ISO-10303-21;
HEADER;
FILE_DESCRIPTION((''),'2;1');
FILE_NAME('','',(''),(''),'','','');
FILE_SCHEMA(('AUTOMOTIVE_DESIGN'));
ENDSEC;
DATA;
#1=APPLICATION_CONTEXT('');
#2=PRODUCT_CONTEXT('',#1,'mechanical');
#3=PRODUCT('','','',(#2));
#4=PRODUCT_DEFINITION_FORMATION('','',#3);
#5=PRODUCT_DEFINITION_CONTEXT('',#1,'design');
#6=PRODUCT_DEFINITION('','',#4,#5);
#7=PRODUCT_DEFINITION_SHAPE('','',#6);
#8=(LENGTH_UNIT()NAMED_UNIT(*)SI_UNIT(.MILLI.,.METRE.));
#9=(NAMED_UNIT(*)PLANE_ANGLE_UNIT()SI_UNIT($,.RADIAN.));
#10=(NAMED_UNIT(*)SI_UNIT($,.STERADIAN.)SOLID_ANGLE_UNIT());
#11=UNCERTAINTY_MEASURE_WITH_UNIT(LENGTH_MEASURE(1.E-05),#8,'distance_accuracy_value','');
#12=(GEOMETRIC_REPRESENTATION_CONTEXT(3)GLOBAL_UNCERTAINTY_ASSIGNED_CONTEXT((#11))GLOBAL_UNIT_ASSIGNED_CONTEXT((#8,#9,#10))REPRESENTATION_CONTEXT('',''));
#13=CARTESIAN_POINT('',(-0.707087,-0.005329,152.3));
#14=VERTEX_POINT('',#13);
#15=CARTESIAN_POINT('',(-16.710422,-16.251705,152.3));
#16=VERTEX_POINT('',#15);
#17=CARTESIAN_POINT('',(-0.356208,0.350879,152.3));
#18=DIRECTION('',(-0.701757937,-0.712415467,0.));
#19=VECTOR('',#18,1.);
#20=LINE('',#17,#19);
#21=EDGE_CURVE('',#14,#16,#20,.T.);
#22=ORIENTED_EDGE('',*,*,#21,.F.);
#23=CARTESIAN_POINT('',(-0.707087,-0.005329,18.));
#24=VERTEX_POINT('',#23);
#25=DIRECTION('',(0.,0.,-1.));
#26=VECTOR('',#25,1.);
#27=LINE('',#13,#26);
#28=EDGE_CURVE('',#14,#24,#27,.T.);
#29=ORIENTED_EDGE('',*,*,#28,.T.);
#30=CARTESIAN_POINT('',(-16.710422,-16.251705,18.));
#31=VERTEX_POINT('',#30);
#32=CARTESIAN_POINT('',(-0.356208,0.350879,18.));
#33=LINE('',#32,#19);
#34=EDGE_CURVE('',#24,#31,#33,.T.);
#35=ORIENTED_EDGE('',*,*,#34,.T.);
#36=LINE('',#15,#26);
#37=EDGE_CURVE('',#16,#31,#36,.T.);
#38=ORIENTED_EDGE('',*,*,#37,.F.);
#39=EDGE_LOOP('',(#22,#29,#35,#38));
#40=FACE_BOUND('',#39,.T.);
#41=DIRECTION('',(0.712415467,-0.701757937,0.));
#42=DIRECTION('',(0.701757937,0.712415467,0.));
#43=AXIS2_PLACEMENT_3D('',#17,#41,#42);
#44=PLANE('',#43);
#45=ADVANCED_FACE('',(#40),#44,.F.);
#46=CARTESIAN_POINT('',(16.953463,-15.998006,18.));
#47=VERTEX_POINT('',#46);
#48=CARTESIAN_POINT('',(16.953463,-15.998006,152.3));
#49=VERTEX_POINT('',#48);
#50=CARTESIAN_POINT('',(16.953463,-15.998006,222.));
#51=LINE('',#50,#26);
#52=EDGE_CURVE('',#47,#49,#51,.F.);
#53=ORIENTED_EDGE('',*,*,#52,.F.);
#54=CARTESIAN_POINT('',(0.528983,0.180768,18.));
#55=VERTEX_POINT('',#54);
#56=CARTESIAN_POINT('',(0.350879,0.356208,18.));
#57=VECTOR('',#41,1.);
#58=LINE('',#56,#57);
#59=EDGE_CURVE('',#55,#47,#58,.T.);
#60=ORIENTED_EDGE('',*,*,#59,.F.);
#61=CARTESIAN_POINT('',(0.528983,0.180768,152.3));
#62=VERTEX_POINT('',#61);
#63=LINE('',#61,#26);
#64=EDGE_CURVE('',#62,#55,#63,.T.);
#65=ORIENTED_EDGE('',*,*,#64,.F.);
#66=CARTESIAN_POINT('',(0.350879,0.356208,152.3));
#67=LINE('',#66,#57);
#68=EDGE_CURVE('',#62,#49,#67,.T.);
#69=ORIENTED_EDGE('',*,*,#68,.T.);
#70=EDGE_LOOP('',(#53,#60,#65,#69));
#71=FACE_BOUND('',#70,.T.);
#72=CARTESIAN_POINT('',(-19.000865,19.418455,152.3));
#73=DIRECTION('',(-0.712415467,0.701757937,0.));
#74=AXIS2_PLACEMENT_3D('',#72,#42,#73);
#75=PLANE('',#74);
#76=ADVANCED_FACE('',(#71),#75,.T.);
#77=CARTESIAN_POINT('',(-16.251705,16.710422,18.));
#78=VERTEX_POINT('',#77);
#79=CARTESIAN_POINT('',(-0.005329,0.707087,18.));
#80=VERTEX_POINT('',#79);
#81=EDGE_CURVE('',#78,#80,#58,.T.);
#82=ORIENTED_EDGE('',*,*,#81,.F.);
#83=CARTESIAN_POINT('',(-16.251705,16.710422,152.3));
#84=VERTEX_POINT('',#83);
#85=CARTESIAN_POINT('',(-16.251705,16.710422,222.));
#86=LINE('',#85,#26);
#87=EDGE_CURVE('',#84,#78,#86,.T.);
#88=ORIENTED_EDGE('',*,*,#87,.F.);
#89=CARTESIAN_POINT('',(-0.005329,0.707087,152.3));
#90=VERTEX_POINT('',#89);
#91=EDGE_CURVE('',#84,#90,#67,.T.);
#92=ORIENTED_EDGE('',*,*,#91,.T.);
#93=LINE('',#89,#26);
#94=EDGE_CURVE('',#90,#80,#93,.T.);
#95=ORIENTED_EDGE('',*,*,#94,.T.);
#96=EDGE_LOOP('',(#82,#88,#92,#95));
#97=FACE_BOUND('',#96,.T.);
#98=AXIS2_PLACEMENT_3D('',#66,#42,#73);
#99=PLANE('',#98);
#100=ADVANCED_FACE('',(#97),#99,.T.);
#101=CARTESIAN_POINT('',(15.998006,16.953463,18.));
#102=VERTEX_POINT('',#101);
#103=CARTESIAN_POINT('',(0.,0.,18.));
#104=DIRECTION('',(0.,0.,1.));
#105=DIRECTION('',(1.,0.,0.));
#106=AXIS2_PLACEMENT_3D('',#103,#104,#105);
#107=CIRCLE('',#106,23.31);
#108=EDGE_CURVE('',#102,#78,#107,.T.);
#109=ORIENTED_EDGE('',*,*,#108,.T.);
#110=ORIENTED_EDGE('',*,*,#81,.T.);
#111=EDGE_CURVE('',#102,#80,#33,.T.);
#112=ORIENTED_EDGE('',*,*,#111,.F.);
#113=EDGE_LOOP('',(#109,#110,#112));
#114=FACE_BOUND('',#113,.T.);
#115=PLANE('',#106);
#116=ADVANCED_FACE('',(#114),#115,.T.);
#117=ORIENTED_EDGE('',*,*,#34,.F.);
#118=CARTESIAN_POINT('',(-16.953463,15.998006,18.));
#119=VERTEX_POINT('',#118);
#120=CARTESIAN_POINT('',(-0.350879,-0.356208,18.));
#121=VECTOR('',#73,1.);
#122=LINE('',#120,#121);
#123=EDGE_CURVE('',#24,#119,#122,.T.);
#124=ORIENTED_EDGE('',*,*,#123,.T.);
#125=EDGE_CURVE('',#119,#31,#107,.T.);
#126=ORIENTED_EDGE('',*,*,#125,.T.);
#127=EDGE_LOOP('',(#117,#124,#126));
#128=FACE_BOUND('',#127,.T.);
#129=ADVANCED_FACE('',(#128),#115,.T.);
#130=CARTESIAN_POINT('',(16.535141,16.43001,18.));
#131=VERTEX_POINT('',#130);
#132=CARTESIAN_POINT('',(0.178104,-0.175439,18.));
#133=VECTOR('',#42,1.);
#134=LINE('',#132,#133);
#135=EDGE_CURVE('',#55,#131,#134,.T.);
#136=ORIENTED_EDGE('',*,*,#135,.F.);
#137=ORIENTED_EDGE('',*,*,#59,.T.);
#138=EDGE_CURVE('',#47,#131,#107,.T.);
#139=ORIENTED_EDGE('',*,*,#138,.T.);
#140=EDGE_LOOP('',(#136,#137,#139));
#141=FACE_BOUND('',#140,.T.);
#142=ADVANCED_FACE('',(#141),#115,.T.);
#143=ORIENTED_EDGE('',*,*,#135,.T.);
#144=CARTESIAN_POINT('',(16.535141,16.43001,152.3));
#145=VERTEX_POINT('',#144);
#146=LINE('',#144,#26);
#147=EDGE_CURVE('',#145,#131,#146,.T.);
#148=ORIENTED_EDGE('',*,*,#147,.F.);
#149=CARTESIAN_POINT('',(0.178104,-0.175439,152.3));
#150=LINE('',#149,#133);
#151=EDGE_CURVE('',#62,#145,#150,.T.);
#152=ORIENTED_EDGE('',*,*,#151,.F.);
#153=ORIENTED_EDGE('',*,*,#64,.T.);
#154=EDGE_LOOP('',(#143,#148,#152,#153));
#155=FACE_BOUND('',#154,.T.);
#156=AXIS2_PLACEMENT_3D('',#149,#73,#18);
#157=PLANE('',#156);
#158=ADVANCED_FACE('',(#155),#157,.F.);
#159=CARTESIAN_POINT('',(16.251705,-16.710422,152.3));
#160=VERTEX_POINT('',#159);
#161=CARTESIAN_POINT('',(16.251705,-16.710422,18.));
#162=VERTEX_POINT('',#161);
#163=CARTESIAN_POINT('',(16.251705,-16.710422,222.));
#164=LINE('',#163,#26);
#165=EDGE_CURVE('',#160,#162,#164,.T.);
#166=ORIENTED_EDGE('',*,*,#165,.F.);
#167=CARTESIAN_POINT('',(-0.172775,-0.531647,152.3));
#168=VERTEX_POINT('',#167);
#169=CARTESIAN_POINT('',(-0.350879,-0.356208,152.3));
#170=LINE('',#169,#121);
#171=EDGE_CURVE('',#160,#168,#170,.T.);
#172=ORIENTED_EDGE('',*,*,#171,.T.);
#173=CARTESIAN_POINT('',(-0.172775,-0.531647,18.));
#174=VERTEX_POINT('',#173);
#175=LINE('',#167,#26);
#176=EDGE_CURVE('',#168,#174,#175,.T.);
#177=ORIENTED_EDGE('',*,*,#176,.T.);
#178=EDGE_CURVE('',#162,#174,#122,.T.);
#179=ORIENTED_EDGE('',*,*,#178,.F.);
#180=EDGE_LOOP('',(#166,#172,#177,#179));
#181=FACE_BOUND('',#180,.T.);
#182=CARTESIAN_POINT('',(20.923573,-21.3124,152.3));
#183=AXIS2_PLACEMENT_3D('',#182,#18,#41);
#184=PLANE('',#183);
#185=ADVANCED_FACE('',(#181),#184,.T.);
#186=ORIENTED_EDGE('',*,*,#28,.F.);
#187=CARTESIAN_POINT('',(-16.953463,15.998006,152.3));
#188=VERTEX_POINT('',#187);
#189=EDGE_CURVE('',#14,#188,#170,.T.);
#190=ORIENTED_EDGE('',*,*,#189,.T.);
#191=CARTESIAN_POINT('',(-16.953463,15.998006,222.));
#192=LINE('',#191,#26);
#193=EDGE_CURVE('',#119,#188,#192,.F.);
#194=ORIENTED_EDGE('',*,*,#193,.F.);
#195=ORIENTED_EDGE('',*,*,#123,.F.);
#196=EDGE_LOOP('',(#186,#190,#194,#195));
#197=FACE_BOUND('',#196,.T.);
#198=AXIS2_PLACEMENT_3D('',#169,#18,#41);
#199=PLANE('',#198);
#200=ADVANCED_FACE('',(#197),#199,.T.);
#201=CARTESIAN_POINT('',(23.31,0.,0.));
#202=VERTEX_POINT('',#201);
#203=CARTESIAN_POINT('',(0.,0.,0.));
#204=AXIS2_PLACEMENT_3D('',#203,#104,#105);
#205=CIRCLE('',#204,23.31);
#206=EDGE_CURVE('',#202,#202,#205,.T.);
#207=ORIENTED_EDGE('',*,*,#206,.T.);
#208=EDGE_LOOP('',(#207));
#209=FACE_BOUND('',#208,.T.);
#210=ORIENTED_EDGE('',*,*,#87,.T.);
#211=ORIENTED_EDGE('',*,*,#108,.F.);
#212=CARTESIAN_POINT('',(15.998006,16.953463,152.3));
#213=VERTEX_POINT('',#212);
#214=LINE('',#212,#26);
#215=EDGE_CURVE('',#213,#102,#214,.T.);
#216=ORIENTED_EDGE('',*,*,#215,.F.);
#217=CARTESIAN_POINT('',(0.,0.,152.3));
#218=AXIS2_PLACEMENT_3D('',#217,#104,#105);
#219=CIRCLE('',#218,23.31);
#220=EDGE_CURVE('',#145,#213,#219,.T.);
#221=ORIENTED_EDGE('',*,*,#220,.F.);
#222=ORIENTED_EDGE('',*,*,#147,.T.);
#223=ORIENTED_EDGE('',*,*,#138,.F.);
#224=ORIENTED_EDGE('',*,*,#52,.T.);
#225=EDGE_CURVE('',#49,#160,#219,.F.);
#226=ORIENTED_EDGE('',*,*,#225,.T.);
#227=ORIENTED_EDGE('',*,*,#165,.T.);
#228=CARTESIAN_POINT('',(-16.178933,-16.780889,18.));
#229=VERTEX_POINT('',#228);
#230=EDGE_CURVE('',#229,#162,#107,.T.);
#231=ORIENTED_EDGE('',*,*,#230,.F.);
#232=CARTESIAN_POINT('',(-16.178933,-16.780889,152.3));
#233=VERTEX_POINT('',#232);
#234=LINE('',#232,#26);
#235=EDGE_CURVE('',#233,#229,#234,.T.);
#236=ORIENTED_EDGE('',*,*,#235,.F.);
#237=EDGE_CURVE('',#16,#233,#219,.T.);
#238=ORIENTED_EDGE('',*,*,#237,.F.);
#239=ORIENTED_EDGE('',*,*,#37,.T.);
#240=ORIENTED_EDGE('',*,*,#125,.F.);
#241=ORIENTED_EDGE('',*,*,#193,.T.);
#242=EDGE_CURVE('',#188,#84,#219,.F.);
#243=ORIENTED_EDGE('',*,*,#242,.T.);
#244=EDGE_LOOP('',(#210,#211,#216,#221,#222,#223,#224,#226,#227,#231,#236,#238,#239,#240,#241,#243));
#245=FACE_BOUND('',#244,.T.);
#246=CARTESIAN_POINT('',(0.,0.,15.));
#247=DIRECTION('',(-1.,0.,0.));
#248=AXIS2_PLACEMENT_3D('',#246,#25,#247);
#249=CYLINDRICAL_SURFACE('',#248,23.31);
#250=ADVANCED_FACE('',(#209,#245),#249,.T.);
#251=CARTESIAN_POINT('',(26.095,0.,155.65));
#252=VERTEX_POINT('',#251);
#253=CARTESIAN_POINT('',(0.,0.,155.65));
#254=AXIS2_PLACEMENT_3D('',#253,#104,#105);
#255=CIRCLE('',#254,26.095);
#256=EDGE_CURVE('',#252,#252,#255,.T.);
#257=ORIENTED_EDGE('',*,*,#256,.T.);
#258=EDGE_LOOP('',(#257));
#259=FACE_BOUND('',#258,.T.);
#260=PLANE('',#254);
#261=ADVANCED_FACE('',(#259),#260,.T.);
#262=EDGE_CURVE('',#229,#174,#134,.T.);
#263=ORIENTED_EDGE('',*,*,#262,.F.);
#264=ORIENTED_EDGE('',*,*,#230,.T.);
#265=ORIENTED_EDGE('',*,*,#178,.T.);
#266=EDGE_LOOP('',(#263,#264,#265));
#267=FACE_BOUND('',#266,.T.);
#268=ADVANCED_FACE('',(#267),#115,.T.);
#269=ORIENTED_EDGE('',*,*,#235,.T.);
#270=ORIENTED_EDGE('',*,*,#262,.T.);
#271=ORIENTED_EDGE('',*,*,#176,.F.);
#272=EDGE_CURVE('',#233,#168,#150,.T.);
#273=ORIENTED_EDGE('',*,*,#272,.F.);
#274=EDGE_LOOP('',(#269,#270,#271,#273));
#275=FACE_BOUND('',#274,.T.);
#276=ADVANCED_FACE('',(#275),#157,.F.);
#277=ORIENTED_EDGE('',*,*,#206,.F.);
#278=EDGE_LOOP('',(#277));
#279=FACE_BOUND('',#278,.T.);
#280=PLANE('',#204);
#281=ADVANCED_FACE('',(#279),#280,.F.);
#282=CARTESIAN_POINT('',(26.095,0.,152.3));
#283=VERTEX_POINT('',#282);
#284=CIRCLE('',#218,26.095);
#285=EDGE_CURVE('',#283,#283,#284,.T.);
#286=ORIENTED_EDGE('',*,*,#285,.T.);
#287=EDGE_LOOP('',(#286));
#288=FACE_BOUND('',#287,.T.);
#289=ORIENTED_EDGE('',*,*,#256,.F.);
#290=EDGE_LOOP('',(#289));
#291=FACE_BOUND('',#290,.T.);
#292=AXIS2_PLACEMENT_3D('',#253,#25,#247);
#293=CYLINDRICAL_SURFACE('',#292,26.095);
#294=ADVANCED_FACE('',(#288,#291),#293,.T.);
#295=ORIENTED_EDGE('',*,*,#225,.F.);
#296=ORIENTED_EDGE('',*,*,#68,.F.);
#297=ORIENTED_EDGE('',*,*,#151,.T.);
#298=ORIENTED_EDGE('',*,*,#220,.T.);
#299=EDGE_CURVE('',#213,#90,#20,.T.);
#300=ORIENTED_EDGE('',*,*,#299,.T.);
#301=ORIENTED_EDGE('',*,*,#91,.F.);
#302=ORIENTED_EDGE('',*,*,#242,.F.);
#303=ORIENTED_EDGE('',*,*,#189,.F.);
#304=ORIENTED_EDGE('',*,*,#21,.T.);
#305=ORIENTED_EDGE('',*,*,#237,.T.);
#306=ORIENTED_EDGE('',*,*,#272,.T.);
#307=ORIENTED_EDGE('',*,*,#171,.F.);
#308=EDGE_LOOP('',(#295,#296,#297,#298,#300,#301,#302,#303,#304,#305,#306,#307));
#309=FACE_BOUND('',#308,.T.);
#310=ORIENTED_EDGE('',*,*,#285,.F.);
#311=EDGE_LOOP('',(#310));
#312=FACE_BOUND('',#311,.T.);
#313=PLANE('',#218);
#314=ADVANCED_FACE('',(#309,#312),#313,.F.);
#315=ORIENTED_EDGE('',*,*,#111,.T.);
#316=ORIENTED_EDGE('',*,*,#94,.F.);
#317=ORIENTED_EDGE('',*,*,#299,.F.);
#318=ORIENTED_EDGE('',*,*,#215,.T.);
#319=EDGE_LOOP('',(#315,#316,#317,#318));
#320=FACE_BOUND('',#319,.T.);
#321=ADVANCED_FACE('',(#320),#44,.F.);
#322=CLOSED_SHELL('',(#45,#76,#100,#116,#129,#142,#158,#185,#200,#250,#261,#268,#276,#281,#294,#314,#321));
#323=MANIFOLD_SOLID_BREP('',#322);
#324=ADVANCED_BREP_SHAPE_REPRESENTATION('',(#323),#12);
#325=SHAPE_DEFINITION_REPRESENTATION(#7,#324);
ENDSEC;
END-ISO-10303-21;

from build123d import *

# Parameters (mm, degrees)
SKETCH1_R           = 23.31
BOSS_EXTRUDE1_DEPTH = 15
SKETCH2_R           = 23.31
BOSS_EXTRUDE2_DEPTH = 3
BOSS_EXTRUDE5_DEPTH = 134.3
SKETCH4_OUTSIDE_W   = 81.812
SKETCH4_OUTSIDE_H   = 81.812
SKETCH4_OUTSIDE_R   = 23.31
CUT_EXTRUDE2_DEPTH  = 204
SKETCH5_R           = 26.095
BOSS_EXTRUDE6_DEPTH = 3.35


with BuildPart() as part:
    # Sketch1 → Boss-Extrude1 (new body)
    with BuildSketch(Plane.XY):
        Circle(SKETCH1_R)
    extrude(amount=BOSS_EXTRUDE1_DEPTH)

    # Sketch2 → Boss-Extrude2 (add)
    with BuildSketch(Plane.XY.offset(15)):
        Circle(SKETCH2_R)
    extrude(amount=BOSS_EXTRUDE2_DEPTH)

    # Sketch3 → Boss-Extrude5 (add)
    with BuildSketch(Plane.XY.offset(18)):
        with BuildLine():
            Line((-19.00086471, 19.418454901), (-19.738244764, 18.741128654))
            Line((-19.738244764, 18.741128654), (-0.707086702, -0.005328765))
            Line((-0.707086702, -0.005328765), (-16.710421631, -16.2517048))
            ThreePointArc((-16.710421631, -16.2517048), (-16.44680571, -16.518434609), (-16.178932822, -16.780888914))
            Line((-16.178932822, -16.780888914), (-0.172775102, -0.531647218))
            Line((-0.172775102, -0.531647218), (20.92357267, -21.312399704))
            Line((20.92357267, -21.312399704), (21.625330607, -20.599984237))
            Line((21.625330607, -20.599984237), (0.528982835, 0.180768249))
            Line((0.528982835, 0.180768249), (16.535140556, 16.430009945))
            ThreePointArc((16.535140556, 16.430009945), (16.26867879, 16.693896801), (15.998006164, 16.953462737))
            Line((15.998006164, 16.953462737), (-0.005328765, 0.707086702))
            Line((-0.005328765, 0.707086702), (-19.00086471, 19.418454901))
        make_face()
    extrude(amount=BOSS_EXTRUDE5_DEPTH)

    # Sketch4 outside → Cut-Extrude2 (cut)
    with BuildSketch(Plane.XY.offset(18)):
        Rectangle(SKETCH4_OUTSIDE_W, SKETCH4_OUTSIDE_H)
        with Locations(Location((0, 0, 0), (0, 0, 136.660875724))):
            Circle(SKETCH4_OUTSIDE_R, mode=Mode.SUBTRACT)
    extrude(amount=CUT_EXTRUDE2_DEPTH, mode=Mode.SUBTRACT)

    # Sketch5 → Boss-Extrude6 (add)
    with BuildSketch(Plane.XY.offset(152.3)):
        Circle(SKETCH5_R)
    extrude(amount=BOSS_EXTRUDE6_DEPTH)


solid = part.part
